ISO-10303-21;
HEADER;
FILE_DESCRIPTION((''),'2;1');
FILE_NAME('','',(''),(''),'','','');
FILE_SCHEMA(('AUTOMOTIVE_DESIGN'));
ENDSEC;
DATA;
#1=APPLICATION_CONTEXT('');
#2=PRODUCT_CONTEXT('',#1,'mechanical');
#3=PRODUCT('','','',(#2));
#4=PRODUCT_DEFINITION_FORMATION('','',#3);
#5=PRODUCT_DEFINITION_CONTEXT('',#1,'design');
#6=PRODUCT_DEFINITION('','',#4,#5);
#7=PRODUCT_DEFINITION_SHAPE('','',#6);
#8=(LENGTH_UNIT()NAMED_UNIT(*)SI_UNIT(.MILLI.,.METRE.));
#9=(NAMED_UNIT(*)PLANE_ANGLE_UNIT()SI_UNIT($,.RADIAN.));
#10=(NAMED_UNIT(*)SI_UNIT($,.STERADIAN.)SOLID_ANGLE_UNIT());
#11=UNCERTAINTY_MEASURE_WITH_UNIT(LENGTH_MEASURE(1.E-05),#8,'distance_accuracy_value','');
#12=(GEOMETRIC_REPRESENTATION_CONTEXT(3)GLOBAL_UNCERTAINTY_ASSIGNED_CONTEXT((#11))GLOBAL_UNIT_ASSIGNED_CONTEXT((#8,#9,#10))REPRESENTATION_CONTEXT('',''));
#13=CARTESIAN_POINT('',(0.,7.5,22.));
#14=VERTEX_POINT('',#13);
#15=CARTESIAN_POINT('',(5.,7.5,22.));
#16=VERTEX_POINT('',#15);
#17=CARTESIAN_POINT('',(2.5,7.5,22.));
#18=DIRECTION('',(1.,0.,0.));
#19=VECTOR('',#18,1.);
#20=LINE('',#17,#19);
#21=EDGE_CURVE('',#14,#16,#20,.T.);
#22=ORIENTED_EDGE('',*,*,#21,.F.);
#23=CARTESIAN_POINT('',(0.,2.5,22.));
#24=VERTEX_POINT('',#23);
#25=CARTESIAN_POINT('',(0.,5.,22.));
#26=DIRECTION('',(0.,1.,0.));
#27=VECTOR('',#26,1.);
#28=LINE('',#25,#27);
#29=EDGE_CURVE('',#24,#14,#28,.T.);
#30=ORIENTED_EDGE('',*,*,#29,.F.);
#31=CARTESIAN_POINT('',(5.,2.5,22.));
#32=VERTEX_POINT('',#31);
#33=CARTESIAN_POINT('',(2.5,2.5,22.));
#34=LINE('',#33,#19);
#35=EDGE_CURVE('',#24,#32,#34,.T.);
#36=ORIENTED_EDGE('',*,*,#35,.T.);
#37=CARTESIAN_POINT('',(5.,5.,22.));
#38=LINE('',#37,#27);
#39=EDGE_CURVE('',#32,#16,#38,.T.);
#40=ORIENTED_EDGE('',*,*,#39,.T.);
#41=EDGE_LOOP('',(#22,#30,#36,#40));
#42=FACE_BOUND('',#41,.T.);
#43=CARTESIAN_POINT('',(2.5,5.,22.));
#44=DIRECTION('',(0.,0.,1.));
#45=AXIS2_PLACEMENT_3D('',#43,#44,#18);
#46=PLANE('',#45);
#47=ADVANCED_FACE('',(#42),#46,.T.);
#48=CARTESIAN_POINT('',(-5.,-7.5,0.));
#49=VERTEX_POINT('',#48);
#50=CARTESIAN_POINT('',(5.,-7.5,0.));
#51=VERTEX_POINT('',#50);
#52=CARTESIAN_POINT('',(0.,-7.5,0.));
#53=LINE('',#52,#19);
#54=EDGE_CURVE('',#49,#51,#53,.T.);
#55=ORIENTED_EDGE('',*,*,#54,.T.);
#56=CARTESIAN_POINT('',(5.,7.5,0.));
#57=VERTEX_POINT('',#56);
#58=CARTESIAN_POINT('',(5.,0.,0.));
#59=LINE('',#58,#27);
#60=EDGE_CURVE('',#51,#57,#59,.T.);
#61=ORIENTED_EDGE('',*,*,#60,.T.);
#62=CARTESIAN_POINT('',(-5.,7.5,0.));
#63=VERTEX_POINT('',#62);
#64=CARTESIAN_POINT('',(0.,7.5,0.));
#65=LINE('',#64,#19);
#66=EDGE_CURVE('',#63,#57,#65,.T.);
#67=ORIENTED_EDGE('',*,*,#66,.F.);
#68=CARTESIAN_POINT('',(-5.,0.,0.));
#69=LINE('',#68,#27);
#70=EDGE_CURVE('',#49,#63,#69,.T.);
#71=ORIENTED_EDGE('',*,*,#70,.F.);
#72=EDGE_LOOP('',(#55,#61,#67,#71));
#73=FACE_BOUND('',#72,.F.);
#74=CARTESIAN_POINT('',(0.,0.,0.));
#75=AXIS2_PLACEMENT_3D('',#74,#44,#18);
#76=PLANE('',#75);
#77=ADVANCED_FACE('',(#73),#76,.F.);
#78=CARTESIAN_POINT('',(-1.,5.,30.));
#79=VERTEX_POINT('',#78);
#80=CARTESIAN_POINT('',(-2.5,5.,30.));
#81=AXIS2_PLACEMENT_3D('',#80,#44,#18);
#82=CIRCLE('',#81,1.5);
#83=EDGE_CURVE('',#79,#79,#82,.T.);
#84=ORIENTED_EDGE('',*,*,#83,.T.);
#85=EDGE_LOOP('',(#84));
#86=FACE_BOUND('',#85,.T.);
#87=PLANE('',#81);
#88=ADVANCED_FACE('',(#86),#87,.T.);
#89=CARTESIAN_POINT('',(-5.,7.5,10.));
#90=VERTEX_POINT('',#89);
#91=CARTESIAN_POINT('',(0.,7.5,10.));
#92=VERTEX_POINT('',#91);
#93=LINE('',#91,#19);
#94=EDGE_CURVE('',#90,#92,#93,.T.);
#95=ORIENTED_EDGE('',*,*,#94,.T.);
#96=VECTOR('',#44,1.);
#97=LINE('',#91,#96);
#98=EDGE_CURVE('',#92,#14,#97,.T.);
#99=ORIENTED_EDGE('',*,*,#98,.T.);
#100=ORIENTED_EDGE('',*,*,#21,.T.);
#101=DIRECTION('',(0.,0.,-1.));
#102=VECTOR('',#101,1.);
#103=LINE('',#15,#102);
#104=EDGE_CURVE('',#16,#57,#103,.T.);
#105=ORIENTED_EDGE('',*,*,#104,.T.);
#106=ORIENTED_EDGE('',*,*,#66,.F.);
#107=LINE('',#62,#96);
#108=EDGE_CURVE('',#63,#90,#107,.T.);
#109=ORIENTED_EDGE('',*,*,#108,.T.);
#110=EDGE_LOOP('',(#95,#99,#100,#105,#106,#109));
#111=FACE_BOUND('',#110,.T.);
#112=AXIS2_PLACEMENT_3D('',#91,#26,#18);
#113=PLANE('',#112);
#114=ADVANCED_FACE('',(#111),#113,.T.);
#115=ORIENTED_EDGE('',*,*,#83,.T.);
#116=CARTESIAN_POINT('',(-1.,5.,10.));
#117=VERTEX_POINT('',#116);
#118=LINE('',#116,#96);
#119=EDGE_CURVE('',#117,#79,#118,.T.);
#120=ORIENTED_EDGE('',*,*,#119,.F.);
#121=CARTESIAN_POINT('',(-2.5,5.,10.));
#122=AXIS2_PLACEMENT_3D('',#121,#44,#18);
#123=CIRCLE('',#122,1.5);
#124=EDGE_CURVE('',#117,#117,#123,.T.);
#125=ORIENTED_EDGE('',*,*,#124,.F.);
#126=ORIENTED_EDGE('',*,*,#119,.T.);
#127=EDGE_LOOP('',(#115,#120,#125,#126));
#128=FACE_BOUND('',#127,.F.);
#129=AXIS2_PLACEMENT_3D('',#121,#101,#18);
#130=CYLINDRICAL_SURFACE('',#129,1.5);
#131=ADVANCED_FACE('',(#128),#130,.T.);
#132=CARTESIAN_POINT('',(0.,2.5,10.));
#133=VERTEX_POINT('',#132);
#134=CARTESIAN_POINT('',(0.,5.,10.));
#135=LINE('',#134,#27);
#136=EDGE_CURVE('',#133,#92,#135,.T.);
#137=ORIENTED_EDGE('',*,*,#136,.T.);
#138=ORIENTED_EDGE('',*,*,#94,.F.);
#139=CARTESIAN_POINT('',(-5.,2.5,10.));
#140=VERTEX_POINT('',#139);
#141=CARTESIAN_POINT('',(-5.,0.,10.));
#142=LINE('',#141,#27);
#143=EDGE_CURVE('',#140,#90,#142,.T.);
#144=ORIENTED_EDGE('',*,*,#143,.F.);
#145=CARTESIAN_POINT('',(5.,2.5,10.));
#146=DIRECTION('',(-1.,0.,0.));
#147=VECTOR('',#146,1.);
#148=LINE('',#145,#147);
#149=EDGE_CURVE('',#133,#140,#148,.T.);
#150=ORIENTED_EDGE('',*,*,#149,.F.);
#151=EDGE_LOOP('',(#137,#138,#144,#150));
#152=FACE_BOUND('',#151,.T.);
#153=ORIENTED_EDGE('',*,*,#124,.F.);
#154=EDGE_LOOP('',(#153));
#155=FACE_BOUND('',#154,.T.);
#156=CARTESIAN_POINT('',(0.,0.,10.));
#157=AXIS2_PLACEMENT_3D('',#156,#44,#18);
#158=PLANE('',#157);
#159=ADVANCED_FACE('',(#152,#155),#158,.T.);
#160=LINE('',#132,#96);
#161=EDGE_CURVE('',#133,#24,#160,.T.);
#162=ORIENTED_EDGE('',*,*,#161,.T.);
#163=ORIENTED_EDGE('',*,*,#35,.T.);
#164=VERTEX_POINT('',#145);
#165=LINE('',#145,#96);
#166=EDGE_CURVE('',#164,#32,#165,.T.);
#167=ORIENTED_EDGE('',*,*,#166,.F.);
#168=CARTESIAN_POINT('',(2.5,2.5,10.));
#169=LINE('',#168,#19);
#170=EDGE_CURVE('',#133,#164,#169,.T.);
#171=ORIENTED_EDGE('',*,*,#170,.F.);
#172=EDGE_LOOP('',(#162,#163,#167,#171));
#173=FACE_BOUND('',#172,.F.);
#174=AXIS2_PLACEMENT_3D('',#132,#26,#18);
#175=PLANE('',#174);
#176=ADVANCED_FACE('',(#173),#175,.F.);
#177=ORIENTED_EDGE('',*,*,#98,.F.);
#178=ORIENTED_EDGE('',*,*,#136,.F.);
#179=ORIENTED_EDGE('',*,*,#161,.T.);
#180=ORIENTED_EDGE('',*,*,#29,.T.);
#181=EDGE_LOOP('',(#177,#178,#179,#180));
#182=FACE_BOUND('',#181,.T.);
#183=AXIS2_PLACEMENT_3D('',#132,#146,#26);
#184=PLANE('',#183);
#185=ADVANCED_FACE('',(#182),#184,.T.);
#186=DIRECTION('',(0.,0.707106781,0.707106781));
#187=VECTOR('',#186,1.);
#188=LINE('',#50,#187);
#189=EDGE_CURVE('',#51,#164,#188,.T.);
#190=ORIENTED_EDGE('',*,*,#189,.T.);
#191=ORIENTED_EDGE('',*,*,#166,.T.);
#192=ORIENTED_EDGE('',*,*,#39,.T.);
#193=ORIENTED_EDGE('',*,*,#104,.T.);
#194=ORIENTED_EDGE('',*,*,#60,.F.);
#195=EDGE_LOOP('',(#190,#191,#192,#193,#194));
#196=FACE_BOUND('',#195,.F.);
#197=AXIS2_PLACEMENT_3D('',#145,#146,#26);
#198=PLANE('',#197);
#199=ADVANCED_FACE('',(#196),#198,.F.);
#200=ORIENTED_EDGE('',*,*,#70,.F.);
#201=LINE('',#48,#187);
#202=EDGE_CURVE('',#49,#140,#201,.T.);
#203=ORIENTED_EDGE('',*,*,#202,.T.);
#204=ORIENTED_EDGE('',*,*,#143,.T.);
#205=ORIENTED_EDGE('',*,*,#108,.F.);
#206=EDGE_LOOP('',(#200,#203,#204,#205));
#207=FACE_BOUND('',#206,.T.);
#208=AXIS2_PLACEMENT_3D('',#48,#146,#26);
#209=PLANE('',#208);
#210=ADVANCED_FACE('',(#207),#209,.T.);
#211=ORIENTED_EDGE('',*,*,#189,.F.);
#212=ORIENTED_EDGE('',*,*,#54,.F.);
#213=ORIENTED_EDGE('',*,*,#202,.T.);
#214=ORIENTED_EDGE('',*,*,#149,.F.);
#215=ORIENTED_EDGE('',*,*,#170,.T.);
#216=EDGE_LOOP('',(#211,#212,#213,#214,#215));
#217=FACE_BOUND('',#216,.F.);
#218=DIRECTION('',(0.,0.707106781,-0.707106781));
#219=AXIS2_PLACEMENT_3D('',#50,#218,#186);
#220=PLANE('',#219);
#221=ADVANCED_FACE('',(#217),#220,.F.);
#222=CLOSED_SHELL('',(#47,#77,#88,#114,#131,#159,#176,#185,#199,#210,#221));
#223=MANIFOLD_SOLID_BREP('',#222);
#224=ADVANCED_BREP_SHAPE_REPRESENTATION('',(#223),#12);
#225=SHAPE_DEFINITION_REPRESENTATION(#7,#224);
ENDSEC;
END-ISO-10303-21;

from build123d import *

# Parameters (mm, degrees)
F0_W     = 10
F0_H     = 15
F1_DEPTH = 10
F2_W     = 5
F2_H     = 5
F3_DEPTH = 12
F4_R     = 1.5
F5_DEPTH = 20
F7_DEPTH = 10


with BuildPart() as f1:
    # F0 (on Top) → F1 (new body)
    with BuildSketch(Plane.XY):
        Rectangle(F0_W, F0_H)
    extrude(amount=F1_DEPTH)

    # F2 (on face) → F3 (join)
    with BuildSketch(Plane.XY.offset(10)):
        with Locations((2.5, 5)):
            Rectangle(F2_W, F2_H)
    extrude(amount=F3_DEPTH)

    # F4 (on face) → F5 (join)
    with BuildSketch(Plane.XY.offset(10)):
        with Locations((-2.5, 5)):
            Circle(F4_R)
    extrude(amount=F5_DEPTH)

    # F6 (on face) → F7 (cut)
    with BuildSketch(Plane.YZ.offset(5)):
        Polygon((-7.5, 10), (-7.5, 0), (2.5, 10), align=None)
    extrude(amount=-F7_DEPTH, mode=Mode.SUBTRACT)


solid = f1.part
